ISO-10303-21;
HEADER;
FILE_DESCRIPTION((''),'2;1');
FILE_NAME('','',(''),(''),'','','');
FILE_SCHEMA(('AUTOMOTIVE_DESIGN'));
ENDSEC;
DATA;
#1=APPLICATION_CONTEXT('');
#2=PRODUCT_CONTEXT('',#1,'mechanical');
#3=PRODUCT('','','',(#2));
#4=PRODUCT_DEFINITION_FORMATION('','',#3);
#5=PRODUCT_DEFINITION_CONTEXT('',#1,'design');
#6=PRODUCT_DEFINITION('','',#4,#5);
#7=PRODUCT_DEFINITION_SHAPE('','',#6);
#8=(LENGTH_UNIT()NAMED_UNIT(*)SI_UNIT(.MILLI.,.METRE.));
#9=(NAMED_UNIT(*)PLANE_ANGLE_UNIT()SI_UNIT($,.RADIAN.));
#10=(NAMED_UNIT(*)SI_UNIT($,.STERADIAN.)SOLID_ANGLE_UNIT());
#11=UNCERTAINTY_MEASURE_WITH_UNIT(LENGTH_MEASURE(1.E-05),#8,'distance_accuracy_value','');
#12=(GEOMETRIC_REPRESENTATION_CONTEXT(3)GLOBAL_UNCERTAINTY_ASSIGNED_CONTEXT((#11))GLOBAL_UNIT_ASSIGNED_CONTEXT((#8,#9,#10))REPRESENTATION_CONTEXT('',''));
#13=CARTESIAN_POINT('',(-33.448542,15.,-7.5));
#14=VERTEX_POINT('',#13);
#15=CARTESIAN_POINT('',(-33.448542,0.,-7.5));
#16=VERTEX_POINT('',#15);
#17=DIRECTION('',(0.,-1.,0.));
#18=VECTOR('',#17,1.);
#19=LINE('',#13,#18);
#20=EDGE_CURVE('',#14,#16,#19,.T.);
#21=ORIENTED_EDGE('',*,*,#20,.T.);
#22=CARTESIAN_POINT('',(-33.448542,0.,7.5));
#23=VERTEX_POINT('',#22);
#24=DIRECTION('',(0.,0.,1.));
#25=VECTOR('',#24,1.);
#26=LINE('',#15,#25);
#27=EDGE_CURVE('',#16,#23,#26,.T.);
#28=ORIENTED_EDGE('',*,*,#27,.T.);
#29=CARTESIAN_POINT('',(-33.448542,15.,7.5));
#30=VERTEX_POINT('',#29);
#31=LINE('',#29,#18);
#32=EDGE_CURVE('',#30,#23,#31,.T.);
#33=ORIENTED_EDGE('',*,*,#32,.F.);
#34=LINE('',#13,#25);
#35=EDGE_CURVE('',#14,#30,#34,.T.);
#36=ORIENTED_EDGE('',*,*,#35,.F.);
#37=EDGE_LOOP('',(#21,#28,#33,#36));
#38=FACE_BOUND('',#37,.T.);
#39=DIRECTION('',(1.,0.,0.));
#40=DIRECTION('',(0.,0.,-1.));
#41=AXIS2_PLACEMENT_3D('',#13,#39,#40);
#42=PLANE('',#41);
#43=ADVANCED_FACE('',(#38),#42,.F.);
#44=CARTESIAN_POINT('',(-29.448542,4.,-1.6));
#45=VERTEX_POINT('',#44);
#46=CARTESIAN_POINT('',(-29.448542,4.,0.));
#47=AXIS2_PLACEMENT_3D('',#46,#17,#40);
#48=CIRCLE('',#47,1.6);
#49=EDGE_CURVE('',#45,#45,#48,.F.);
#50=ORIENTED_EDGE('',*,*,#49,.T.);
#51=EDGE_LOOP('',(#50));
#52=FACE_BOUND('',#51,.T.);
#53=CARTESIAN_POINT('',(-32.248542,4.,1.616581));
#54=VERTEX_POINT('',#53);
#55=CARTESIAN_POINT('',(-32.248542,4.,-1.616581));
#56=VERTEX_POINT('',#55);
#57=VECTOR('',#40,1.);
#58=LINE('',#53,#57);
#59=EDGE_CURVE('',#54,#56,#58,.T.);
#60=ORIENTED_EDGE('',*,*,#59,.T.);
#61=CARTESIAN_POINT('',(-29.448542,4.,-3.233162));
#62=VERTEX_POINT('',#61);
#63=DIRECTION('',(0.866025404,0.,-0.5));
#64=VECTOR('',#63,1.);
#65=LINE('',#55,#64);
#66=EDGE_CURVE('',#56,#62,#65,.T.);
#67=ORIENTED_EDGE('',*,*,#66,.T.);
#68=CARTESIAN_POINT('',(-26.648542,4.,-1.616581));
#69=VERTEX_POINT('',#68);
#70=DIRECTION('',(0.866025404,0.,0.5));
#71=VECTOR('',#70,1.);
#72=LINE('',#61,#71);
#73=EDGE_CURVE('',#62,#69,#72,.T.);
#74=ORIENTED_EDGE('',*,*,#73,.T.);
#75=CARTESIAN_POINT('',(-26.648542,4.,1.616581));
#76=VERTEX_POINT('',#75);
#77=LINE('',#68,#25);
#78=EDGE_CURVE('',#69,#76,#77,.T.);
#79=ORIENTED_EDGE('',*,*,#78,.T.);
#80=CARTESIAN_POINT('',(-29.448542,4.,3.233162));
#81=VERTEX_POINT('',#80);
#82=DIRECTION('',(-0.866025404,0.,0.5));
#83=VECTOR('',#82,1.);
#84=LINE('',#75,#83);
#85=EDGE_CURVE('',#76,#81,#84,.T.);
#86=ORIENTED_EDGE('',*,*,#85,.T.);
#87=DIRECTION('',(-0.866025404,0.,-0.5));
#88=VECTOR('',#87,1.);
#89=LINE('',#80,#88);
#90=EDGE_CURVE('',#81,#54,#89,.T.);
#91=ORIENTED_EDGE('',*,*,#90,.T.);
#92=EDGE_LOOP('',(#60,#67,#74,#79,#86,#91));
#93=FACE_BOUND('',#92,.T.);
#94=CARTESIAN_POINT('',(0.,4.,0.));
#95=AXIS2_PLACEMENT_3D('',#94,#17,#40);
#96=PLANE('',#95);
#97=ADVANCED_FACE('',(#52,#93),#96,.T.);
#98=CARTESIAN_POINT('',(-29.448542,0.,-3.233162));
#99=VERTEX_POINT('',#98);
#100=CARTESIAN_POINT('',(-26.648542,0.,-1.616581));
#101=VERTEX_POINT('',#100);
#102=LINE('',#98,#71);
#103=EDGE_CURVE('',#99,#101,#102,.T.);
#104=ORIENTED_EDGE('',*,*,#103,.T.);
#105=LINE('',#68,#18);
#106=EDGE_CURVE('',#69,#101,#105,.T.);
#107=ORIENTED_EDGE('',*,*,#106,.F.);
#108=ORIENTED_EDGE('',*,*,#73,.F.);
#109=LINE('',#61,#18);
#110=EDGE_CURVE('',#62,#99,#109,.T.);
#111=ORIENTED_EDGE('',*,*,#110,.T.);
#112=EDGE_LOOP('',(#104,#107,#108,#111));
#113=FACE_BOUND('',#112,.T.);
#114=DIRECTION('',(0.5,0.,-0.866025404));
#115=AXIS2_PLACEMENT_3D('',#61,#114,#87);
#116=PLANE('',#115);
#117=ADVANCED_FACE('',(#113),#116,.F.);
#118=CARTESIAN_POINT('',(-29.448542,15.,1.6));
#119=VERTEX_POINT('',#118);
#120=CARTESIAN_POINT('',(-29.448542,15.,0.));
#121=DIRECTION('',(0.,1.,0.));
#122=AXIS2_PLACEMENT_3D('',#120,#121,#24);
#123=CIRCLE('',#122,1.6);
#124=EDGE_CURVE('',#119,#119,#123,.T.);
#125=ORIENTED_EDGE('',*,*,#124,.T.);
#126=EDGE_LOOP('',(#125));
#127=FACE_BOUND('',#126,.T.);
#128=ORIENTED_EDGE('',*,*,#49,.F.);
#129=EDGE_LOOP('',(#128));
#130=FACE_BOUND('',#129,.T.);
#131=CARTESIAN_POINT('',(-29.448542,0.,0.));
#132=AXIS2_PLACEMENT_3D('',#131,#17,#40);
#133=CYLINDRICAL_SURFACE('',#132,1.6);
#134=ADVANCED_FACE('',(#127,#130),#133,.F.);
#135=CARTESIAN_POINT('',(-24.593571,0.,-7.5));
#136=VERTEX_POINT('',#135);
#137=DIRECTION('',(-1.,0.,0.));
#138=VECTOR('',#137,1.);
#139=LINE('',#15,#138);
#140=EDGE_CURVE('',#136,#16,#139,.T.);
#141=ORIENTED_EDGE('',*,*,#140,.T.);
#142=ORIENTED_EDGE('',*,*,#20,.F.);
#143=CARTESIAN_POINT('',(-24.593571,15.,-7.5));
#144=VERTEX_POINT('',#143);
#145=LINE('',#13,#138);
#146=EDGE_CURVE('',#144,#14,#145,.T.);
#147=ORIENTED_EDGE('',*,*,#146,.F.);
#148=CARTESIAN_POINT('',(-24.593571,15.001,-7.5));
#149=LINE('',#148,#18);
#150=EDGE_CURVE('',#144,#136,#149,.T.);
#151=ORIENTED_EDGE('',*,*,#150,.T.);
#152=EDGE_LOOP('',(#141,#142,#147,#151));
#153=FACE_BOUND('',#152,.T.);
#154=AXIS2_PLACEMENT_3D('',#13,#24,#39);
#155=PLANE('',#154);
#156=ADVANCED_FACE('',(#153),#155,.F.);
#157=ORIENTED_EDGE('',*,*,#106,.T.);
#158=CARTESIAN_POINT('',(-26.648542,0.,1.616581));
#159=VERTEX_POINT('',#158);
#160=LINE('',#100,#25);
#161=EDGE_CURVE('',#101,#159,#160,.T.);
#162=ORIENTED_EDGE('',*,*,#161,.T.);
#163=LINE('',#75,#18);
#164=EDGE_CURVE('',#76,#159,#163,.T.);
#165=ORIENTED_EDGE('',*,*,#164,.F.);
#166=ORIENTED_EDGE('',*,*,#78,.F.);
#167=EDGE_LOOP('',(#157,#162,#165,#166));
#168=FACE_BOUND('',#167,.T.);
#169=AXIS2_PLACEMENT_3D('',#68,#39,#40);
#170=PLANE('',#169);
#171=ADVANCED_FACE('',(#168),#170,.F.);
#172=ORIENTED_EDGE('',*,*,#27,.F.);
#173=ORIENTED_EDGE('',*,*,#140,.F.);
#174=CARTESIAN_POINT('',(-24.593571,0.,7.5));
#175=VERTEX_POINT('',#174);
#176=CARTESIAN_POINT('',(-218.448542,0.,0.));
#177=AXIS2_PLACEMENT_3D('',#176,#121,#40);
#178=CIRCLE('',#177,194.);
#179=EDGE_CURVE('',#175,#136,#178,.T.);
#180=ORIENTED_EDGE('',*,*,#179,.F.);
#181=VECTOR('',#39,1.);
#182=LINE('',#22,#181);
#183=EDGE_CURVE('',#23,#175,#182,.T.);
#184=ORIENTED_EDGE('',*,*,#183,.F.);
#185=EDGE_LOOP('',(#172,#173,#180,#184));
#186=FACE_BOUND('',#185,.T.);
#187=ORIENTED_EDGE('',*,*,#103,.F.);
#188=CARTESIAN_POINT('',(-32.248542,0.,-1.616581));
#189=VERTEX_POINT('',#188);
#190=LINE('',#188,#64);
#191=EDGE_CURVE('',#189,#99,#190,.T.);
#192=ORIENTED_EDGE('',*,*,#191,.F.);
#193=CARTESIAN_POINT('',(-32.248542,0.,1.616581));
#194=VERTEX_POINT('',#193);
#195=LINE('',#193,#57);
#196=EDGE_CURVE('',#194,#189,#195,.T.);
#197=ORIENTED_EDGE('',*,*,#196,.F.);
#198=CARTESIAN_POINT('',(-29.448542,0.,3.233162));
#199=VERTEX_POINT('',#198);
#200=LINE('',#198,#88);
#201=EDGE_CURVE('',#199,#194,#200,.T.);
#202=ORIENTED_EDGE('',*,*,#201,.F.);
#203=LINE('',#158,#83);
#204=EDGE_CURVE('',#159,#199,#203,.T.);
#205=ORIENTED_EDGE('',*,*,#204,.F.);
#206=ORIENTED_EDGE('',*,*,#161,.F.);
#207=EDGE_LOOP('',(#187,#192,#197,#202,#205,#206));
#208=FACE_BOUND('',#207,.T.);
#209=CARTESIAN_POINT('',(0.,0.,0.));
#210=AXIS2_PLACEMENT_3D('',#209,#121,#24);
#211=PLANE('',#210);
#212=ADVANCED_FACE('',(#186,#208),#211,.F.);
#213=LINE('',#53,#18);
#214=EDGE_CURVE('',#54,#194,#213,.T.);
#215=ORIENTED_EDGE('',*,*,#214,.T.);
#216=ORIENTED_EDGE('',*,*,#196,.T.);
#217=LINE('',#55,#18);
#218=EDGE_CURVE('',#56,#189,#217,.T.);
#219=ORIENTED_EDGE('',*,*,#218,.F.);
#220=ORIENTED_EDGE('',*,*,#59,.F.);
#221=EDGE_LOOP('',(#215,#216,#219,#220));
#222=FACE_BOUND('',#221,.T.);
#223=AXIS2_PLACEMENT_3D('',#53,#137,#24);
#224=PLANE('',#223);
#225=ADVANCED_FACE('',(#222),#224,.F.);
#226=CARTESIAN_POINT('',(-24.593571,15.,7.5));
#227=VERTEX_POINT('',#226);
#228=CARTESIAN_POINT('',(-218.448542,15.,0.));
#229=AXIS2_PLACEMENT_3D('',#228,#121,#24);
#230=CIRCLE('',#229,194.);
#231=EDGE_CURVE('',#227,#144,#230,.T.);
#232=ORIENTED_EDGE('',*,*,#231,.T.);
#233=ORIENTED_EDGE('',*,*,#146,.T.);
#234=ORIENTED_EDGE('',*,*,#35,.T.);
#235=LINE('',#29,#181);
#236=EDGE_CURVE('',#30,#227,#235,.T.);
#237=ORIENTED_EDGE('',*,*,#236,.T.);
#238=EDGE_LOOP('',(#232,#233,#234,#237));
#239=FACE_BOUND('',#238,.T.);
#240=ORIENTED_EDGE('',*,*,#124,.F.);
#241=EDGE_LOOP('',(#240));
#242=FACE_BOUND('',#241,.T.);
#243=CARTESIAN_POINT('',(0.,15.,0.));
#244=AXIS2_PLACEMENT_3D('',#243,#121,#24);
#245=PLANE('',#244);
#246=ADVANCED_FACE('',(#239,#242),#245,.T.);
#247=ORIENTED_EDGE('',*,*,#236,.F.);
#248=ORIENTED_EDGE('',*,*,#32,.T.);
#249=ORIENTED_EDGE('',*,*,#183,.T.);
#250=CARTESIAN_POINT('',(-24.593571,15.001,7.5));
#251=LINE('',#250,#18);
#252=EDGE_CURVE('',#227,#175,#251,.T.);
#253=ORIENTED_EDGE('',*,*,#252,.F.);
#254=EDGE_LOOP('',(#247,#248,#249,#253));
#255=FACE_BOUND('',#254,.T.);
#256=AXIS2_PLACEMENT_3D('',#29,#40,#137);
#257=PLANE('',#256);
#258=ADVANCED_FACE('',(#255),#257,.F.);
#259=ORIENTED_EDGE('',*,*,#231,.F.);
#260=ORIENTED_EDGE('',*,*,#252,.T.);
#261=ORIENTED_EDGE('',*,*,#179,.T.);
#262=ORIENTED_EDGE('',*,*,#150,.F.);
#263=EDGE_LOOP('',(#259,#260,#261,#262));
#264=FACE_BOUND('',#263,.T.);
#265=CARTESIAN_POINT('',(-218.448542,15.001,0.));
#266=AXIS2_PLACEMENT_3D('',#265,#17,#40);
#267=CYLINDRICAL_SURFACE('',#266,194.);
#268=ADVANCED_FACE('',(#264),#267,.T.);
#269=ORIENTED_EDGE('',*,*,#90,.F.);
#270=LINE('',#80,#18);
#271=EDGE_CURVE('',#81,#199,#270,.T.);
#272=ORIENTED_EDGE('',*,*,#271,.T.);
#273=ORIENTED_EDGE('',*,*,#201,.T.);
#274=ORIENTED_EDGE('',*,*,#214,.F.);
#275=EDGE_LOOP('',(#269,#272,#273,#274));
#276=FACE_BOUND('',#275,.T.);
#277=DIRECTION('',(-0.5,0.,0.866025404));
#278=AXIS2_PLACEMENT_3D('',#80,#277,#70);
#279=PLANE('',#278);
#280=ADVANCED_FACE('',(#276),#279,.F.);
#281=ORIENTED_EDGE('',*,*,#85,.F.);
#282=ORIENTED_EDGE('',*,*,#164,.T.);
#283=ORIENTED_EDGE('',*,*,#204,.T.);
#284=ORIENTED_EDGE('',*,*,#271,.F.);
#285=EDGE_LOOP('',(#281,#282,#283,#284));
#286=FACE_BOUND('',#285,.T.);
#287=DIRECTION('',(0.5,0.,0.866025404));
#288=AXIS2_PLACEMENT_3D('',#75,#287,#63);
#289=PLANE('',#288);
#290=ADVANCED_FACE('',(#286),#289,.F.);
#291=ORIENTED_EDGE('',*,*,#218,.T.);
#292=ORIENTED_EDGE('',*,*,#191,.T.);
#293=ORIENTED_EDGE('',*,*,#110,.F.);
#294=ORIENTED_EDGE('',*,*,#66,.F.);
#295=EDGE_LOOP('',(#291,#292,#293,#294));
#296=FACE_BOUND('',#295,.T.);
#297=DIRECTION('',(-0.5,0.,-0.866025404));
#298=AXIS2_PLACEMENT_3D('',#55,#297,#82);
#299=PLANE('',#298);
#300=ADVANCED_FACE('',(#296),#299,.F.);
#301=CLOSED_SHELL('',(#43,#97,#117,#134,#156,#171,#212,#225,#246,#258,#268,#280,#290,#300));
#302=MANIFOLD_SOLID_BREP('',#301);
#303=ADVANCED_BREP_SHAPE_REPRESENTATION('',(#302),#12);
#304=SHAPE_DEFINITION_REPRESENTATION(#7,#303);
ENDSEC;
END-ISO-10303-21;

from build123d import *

# Parameters (mm, degrees)
SKETCH_1_W          = 66.89708457
SKETCH_1_H          = 15
EXTRUDE_1_DEPTH     = 15
CUT_EXTRUDE_1_REACH = 39.417
HOLE_WIZARD_M3_1_D  = 3.2
CUT_EXTRUDE_2_DEPTH = 4


with BuildPart() as part:
    # 草图1 → 凸台-拉伸1 (new body)
    with BuildSketch(Plane(origin=(0, 0, 0), x_dir=(1, 0, 0), z_dir=(0, 1, 0))):
        Rectangle(SKETCH_1_W, SKETCH_1_H)
    extrude(amount=EXTRUDE_1_DEPTH)

    # 草图2 → 切除-拉伸1 (cut, up to next)
    with BuildSketch(Plane.XZ, mode=Mode.PRIVATE) as cut_extrude_1_sk1:
        with BuildLine():
            Line((-24.593570721, 7.5), (33.448542285, 7.5))
            Line((33.448542285, 7.5), (33.448542285, -7.5))
            Line((33.448542285, -7.5), (-24.593570721, -7.5))
            ThreePointArc((-24.593570721, -7.5), (-24.448542285, 0), (-24.593570721, 7.5))
        make_face()
    cut_extrude_1_tool1 = extrude(cut_extrude_1_sk1.sketch, amount=-CUT_EXTRUDE_1_REACH, mode=Mode.PRIVATE) & part.part
    add(cut_extrude_1_tool1.solids().sort_by_distance((4.475816, 0, 0))[0], mode=Mode.SUBTRACT)

    # M3 间隙孔1 (through all)
    with Locations(Plane(origin=(0, 0, 0), x_dir=(-1, 0, 0), z_dir=(0, -1, 0))):
        with Locations((29.448542285, 0)):
            Hole(HOLE_WIZARD_M3_1_D / 2)

    # 草图5 → 切除-拉伸2 (cut)
    with BuildSketch(Plane.XZ):
        Polygon((-29.448542285, -3.233161507), (-26.648542285, -1.616580754), (-26.648542285, 1.616580754), (-29.448542285, 3.233161507), (-32.248542285, 1.616580754), (-32.248542285, -1.616580754), align=None)
    extrude(amount=-CUT_EXTRUDE_2_DEPTH, mode=Mode.SUBTRACT)


solid = part.part
